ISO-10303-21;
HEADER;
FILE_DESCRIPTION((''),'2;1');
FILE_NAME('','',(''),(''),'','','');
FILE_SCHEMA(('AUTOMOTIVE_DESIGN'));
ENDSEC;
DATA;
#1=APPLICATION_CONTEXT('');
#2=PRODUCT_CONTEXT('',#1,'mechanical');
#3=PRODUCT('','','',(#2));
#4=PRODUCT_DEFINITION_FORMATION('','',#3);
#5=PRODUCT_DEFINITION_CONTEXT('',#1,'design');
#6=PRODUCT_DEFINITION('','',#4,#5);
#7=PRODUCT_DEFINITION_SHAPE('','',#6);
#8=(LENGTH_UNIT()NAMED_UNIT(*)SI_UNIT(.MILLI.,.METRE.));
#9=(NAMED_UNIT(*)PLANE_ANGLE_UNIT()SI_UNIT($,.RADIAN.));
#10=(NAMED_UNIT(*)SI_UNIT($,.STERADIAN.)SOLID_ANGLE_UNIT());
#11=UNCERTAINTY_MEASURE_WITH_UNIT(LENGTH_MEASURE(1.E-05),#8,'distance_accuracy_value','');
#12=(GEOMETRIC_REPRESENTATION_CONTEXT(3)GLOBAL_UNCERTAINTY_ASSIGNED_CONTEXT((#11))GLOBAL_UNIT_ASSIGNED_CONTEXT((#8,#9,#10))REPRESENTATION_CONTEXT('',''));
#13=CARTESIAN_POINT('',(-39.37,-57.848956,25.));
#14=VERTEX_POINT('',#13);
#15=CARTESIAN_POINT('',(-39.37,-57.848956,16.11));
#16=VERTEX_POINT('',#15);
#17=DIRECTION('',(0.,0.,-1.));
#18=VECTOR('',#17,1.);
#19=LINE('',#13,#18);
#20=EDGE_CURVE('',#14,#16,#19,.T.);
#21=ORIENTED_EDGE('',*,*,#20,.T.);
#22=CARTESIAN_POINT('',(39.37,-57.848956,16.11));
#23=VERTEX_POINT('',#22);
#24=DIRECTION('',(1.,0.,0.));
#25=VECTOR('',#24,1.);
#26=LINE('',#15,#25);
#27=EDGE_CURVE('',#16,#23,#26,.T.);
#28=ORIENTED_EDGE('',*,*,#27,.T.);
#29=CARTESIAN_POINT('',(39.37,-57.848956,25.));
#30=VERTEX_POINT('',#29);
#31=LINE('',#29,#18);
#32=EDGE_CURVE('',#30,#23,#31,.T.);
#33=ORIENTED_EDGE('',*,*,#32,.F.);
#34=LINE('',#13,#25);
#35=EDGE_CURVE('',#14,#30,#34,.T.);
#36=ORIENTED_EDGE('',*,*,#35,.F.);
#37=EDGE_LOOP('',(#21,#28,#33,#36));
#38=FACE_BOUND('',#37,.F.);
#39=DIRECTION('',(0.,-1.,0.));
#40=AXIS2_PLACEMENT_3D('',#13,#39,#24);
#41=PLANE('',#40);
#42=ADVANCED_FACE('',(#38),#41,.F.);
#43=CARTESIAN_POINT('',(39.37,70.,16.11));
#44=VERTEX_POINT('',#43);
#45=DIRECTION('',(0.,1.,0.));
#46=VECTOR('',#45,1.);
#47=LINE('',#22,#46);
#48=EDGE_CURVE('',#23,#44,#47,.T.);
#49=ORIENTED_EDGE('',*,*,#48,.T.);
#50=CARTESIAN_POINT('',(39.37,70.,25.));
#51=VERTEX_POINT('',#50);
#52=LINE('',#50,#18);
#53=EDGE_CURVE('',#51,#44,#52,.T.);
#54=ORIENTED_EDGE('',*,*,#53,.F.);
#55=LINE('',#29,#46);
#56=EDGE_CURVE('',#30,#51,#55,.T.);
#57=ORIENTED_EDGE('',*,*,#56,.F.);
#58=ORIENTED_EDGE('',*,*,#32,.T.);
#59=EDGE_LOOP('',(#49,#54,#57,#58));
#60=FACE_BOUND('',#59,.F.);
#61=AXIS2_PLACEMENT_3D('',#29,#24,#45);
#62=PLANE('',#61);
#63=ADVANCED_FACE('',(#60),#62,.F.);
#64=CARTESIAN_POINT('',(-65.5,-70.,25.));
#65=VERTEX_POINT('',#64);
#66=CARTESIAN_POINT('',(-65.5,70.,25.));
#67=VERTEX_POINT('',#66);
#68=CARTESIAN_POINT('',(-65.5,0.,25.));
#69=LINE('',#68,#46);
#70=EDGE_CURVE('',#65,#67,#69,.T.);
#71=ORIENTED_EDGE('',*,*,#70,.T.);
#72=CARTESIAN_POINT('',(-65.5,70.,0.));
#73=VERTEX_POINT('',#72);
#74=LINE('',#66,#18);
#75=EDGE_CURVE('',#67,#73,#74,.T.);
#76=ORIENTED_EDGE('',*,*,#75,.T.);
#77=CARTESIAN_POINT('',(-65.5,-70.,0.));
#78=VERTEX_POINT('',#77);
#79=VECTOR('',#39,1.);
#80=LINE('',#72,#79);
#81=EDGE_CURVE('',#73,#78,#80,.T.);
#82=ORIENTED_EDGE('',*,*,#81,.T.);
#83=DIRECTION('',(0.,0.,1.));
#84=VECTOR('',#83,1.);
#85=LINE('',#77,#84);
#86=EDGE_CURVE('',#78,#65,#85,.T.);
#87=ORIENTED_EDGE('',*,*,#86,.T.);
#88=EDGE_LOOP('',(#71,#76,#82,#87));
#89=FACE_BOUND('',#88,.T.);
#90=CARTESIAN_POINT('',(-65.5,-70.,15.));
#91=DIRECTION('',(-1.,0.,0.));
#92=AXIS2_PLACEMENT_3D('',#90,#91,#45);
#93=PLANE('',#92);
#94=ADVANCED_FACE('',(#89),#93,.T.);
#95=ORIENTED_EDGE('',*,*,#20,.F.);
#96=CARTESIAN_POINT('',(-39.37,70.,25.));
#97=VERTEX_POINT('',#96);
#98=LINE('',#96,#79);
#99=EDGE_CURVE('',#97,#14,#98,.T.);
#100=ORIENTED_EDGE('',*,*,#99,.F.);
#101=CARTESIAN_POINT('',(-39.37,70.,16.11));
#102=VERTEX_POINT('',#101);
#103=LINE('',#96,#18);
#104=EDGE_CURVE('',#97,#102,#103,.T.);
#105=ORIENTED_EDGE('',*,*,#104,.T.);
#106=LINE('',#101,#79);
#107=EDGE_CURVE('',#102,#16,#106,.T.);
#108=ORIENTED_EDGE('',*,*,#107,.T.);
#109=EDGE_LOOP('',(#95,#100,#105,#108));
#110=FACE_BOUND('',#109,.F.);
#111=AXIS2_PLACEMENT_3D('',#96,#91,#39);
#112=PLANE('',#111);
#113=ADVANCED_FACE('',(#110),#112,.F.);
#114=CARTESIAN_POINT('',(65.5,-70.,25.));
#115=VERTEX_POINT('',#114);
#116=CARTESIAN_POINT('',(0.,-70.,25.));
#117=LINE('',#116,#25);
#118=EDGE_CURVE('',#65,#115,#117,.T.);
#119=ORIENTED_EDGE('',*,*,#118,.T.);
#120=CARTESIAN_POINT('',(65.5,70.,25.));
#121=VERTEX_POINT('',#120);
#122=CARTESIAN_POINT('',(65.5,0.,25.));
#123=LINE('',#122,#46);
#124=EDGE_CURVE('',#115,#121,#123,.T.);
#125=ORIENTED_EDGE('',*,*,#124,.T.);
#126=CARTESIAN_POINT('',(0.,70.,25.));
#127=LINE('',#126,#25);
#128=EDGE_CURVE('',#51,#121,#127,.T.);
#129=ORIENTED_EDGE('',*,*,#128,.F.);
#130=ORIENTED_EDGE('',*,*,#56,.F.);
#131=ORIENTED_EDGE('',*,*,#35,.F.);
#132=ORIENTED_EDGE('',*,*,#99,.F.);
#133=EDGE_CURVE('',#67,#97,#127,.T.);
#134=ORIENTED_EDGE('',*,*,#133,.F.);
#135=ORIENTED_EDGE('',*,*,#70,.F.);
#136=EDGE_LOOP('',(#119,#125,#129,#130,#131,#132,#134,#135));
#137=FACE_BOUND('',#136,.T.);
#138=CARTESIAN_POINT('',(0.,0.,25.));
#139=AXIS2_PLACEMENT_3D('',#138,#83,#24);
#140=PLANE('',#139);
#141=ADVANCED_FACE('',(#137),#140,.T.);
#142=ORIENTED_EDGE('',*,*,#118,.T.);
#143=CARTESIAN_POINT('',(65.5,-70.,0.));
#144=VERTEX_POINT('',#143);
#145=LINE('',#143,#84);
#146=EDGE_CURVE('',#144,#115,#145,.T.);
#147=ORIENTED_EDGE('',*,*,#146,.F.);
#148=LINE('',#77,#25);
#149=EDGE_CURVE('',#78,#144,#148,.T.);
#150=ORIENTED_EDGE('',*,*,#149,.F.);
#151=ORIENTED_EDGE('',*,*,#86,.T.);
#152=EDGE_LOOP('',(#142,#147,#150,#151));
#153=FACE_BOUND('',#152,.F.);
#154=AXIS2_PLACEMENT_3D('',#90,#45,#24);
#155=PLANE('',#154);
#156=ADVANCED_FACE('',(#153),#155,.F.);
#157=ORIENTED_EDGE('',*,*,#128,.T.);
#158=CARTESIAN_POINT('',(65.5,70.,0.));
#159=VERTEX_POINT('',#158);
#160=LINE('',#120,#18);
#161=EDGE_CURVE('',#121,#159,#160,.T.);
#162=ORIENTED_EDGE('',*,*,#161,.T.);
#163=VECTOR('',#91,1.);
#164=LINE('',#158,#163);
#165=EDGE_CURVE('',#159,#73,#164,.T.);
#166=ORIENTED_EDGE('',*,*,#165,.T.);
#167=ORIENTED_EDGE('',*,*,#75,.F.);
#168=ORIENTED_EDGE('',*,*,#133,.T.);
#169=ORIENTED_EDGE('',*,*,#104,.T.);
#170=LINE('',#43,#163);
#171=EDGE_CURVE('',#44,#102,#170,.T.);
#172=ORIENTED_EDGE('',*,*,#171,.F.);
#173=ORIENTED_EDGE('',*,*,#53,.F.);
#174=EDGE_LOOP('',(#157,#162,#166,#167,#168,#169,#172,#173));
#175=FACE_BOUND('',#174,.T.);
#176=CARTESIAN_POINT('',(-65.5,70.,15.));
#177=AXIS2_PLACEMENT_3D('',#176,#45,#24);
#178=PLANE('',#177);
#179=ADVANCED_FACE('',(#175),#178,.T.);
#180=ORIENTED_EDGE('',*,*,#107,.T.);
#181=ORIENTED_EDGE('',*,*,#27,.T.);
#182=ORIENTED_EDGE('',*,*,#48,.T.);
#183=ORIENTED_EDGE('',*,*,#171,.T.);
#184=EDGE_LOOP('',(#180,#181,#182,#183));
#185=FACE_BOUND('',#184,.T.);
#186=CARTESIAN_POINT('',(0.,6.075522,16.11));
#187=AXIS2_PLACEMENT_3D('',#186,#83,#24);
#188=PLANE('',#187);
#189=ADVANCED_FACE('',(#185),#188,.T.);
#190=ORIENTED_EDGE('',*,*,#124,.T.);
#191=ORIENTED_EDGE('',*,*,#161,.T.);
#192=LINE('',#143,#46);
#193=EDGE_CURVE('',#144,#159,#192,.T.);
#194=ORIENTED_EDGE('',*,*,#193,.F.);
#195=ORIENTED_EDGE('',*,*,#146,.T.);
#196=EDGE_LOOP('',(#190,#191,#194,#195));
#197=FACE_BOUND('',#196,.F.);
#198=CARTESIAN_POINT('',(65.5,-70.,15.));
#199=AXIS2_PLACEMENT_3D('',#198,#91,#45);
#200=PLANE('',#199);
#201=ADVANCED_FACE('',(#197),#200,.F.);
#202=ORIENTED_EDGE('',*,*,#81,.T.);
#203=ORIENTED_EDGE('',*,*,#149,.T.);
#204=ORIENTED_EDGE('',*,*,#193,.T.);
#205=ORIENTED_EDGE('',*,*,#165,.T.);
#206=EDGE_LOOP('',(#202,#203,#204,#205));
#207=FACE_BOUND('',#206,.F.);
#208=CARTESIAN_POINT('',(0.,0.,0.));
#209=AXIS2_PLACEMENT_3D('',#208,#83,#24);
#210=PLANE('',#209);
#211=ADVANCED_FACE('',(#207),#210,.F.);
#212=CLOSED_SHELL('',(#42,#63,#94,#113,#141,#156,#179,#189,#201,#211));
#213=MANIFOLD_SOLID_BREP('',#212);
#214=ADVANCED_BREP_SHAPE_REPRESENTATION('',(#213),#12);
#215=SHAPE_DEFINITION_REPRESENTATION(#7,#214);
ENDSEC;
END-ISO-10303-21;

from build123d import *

# Parameters (mm, degrees)
F1_DEPTH  = 15
F1_FACE_W = 131
F1_FACE_H = 140
F2_DEPTH  = 10
F4_DEPTH  = 8.89


with BuildPart() as f1:
    # F0 (on Top) → F1 (new body)
    with BuildSketch(Plane.XY):
        Polygon((-65.5, 70), (-65.5, 0), (-65.5, -70), (0, -70), (65.5, -70), (65.5, -69.559447), (65.5, 0), (65.5, 70), (0, 70), align=None)
    extrude(amount=F1_DEPTH)

    # F1_face (on face) → F2 (join)
    with BuildSketch(Plane.XY.offset(15)):
        Rectangle(F1_FACE_W, F1_FACE_H)
    extrude(amount=F2_DEPTH)

    # F3 (on face) → F4 (cut)
    with BuildSketch(Plane.XY.offset(25)):
        Polygon((39.37, 70), (0, 70), (-39.37, 70), (-39.37, -57.848956), (0, -57.848956), (39.37, -57.848956), align=None)
    extrude(amount=-F4_DEPTH, mode=Mode.SUBTRACT)


solid = f1.part
